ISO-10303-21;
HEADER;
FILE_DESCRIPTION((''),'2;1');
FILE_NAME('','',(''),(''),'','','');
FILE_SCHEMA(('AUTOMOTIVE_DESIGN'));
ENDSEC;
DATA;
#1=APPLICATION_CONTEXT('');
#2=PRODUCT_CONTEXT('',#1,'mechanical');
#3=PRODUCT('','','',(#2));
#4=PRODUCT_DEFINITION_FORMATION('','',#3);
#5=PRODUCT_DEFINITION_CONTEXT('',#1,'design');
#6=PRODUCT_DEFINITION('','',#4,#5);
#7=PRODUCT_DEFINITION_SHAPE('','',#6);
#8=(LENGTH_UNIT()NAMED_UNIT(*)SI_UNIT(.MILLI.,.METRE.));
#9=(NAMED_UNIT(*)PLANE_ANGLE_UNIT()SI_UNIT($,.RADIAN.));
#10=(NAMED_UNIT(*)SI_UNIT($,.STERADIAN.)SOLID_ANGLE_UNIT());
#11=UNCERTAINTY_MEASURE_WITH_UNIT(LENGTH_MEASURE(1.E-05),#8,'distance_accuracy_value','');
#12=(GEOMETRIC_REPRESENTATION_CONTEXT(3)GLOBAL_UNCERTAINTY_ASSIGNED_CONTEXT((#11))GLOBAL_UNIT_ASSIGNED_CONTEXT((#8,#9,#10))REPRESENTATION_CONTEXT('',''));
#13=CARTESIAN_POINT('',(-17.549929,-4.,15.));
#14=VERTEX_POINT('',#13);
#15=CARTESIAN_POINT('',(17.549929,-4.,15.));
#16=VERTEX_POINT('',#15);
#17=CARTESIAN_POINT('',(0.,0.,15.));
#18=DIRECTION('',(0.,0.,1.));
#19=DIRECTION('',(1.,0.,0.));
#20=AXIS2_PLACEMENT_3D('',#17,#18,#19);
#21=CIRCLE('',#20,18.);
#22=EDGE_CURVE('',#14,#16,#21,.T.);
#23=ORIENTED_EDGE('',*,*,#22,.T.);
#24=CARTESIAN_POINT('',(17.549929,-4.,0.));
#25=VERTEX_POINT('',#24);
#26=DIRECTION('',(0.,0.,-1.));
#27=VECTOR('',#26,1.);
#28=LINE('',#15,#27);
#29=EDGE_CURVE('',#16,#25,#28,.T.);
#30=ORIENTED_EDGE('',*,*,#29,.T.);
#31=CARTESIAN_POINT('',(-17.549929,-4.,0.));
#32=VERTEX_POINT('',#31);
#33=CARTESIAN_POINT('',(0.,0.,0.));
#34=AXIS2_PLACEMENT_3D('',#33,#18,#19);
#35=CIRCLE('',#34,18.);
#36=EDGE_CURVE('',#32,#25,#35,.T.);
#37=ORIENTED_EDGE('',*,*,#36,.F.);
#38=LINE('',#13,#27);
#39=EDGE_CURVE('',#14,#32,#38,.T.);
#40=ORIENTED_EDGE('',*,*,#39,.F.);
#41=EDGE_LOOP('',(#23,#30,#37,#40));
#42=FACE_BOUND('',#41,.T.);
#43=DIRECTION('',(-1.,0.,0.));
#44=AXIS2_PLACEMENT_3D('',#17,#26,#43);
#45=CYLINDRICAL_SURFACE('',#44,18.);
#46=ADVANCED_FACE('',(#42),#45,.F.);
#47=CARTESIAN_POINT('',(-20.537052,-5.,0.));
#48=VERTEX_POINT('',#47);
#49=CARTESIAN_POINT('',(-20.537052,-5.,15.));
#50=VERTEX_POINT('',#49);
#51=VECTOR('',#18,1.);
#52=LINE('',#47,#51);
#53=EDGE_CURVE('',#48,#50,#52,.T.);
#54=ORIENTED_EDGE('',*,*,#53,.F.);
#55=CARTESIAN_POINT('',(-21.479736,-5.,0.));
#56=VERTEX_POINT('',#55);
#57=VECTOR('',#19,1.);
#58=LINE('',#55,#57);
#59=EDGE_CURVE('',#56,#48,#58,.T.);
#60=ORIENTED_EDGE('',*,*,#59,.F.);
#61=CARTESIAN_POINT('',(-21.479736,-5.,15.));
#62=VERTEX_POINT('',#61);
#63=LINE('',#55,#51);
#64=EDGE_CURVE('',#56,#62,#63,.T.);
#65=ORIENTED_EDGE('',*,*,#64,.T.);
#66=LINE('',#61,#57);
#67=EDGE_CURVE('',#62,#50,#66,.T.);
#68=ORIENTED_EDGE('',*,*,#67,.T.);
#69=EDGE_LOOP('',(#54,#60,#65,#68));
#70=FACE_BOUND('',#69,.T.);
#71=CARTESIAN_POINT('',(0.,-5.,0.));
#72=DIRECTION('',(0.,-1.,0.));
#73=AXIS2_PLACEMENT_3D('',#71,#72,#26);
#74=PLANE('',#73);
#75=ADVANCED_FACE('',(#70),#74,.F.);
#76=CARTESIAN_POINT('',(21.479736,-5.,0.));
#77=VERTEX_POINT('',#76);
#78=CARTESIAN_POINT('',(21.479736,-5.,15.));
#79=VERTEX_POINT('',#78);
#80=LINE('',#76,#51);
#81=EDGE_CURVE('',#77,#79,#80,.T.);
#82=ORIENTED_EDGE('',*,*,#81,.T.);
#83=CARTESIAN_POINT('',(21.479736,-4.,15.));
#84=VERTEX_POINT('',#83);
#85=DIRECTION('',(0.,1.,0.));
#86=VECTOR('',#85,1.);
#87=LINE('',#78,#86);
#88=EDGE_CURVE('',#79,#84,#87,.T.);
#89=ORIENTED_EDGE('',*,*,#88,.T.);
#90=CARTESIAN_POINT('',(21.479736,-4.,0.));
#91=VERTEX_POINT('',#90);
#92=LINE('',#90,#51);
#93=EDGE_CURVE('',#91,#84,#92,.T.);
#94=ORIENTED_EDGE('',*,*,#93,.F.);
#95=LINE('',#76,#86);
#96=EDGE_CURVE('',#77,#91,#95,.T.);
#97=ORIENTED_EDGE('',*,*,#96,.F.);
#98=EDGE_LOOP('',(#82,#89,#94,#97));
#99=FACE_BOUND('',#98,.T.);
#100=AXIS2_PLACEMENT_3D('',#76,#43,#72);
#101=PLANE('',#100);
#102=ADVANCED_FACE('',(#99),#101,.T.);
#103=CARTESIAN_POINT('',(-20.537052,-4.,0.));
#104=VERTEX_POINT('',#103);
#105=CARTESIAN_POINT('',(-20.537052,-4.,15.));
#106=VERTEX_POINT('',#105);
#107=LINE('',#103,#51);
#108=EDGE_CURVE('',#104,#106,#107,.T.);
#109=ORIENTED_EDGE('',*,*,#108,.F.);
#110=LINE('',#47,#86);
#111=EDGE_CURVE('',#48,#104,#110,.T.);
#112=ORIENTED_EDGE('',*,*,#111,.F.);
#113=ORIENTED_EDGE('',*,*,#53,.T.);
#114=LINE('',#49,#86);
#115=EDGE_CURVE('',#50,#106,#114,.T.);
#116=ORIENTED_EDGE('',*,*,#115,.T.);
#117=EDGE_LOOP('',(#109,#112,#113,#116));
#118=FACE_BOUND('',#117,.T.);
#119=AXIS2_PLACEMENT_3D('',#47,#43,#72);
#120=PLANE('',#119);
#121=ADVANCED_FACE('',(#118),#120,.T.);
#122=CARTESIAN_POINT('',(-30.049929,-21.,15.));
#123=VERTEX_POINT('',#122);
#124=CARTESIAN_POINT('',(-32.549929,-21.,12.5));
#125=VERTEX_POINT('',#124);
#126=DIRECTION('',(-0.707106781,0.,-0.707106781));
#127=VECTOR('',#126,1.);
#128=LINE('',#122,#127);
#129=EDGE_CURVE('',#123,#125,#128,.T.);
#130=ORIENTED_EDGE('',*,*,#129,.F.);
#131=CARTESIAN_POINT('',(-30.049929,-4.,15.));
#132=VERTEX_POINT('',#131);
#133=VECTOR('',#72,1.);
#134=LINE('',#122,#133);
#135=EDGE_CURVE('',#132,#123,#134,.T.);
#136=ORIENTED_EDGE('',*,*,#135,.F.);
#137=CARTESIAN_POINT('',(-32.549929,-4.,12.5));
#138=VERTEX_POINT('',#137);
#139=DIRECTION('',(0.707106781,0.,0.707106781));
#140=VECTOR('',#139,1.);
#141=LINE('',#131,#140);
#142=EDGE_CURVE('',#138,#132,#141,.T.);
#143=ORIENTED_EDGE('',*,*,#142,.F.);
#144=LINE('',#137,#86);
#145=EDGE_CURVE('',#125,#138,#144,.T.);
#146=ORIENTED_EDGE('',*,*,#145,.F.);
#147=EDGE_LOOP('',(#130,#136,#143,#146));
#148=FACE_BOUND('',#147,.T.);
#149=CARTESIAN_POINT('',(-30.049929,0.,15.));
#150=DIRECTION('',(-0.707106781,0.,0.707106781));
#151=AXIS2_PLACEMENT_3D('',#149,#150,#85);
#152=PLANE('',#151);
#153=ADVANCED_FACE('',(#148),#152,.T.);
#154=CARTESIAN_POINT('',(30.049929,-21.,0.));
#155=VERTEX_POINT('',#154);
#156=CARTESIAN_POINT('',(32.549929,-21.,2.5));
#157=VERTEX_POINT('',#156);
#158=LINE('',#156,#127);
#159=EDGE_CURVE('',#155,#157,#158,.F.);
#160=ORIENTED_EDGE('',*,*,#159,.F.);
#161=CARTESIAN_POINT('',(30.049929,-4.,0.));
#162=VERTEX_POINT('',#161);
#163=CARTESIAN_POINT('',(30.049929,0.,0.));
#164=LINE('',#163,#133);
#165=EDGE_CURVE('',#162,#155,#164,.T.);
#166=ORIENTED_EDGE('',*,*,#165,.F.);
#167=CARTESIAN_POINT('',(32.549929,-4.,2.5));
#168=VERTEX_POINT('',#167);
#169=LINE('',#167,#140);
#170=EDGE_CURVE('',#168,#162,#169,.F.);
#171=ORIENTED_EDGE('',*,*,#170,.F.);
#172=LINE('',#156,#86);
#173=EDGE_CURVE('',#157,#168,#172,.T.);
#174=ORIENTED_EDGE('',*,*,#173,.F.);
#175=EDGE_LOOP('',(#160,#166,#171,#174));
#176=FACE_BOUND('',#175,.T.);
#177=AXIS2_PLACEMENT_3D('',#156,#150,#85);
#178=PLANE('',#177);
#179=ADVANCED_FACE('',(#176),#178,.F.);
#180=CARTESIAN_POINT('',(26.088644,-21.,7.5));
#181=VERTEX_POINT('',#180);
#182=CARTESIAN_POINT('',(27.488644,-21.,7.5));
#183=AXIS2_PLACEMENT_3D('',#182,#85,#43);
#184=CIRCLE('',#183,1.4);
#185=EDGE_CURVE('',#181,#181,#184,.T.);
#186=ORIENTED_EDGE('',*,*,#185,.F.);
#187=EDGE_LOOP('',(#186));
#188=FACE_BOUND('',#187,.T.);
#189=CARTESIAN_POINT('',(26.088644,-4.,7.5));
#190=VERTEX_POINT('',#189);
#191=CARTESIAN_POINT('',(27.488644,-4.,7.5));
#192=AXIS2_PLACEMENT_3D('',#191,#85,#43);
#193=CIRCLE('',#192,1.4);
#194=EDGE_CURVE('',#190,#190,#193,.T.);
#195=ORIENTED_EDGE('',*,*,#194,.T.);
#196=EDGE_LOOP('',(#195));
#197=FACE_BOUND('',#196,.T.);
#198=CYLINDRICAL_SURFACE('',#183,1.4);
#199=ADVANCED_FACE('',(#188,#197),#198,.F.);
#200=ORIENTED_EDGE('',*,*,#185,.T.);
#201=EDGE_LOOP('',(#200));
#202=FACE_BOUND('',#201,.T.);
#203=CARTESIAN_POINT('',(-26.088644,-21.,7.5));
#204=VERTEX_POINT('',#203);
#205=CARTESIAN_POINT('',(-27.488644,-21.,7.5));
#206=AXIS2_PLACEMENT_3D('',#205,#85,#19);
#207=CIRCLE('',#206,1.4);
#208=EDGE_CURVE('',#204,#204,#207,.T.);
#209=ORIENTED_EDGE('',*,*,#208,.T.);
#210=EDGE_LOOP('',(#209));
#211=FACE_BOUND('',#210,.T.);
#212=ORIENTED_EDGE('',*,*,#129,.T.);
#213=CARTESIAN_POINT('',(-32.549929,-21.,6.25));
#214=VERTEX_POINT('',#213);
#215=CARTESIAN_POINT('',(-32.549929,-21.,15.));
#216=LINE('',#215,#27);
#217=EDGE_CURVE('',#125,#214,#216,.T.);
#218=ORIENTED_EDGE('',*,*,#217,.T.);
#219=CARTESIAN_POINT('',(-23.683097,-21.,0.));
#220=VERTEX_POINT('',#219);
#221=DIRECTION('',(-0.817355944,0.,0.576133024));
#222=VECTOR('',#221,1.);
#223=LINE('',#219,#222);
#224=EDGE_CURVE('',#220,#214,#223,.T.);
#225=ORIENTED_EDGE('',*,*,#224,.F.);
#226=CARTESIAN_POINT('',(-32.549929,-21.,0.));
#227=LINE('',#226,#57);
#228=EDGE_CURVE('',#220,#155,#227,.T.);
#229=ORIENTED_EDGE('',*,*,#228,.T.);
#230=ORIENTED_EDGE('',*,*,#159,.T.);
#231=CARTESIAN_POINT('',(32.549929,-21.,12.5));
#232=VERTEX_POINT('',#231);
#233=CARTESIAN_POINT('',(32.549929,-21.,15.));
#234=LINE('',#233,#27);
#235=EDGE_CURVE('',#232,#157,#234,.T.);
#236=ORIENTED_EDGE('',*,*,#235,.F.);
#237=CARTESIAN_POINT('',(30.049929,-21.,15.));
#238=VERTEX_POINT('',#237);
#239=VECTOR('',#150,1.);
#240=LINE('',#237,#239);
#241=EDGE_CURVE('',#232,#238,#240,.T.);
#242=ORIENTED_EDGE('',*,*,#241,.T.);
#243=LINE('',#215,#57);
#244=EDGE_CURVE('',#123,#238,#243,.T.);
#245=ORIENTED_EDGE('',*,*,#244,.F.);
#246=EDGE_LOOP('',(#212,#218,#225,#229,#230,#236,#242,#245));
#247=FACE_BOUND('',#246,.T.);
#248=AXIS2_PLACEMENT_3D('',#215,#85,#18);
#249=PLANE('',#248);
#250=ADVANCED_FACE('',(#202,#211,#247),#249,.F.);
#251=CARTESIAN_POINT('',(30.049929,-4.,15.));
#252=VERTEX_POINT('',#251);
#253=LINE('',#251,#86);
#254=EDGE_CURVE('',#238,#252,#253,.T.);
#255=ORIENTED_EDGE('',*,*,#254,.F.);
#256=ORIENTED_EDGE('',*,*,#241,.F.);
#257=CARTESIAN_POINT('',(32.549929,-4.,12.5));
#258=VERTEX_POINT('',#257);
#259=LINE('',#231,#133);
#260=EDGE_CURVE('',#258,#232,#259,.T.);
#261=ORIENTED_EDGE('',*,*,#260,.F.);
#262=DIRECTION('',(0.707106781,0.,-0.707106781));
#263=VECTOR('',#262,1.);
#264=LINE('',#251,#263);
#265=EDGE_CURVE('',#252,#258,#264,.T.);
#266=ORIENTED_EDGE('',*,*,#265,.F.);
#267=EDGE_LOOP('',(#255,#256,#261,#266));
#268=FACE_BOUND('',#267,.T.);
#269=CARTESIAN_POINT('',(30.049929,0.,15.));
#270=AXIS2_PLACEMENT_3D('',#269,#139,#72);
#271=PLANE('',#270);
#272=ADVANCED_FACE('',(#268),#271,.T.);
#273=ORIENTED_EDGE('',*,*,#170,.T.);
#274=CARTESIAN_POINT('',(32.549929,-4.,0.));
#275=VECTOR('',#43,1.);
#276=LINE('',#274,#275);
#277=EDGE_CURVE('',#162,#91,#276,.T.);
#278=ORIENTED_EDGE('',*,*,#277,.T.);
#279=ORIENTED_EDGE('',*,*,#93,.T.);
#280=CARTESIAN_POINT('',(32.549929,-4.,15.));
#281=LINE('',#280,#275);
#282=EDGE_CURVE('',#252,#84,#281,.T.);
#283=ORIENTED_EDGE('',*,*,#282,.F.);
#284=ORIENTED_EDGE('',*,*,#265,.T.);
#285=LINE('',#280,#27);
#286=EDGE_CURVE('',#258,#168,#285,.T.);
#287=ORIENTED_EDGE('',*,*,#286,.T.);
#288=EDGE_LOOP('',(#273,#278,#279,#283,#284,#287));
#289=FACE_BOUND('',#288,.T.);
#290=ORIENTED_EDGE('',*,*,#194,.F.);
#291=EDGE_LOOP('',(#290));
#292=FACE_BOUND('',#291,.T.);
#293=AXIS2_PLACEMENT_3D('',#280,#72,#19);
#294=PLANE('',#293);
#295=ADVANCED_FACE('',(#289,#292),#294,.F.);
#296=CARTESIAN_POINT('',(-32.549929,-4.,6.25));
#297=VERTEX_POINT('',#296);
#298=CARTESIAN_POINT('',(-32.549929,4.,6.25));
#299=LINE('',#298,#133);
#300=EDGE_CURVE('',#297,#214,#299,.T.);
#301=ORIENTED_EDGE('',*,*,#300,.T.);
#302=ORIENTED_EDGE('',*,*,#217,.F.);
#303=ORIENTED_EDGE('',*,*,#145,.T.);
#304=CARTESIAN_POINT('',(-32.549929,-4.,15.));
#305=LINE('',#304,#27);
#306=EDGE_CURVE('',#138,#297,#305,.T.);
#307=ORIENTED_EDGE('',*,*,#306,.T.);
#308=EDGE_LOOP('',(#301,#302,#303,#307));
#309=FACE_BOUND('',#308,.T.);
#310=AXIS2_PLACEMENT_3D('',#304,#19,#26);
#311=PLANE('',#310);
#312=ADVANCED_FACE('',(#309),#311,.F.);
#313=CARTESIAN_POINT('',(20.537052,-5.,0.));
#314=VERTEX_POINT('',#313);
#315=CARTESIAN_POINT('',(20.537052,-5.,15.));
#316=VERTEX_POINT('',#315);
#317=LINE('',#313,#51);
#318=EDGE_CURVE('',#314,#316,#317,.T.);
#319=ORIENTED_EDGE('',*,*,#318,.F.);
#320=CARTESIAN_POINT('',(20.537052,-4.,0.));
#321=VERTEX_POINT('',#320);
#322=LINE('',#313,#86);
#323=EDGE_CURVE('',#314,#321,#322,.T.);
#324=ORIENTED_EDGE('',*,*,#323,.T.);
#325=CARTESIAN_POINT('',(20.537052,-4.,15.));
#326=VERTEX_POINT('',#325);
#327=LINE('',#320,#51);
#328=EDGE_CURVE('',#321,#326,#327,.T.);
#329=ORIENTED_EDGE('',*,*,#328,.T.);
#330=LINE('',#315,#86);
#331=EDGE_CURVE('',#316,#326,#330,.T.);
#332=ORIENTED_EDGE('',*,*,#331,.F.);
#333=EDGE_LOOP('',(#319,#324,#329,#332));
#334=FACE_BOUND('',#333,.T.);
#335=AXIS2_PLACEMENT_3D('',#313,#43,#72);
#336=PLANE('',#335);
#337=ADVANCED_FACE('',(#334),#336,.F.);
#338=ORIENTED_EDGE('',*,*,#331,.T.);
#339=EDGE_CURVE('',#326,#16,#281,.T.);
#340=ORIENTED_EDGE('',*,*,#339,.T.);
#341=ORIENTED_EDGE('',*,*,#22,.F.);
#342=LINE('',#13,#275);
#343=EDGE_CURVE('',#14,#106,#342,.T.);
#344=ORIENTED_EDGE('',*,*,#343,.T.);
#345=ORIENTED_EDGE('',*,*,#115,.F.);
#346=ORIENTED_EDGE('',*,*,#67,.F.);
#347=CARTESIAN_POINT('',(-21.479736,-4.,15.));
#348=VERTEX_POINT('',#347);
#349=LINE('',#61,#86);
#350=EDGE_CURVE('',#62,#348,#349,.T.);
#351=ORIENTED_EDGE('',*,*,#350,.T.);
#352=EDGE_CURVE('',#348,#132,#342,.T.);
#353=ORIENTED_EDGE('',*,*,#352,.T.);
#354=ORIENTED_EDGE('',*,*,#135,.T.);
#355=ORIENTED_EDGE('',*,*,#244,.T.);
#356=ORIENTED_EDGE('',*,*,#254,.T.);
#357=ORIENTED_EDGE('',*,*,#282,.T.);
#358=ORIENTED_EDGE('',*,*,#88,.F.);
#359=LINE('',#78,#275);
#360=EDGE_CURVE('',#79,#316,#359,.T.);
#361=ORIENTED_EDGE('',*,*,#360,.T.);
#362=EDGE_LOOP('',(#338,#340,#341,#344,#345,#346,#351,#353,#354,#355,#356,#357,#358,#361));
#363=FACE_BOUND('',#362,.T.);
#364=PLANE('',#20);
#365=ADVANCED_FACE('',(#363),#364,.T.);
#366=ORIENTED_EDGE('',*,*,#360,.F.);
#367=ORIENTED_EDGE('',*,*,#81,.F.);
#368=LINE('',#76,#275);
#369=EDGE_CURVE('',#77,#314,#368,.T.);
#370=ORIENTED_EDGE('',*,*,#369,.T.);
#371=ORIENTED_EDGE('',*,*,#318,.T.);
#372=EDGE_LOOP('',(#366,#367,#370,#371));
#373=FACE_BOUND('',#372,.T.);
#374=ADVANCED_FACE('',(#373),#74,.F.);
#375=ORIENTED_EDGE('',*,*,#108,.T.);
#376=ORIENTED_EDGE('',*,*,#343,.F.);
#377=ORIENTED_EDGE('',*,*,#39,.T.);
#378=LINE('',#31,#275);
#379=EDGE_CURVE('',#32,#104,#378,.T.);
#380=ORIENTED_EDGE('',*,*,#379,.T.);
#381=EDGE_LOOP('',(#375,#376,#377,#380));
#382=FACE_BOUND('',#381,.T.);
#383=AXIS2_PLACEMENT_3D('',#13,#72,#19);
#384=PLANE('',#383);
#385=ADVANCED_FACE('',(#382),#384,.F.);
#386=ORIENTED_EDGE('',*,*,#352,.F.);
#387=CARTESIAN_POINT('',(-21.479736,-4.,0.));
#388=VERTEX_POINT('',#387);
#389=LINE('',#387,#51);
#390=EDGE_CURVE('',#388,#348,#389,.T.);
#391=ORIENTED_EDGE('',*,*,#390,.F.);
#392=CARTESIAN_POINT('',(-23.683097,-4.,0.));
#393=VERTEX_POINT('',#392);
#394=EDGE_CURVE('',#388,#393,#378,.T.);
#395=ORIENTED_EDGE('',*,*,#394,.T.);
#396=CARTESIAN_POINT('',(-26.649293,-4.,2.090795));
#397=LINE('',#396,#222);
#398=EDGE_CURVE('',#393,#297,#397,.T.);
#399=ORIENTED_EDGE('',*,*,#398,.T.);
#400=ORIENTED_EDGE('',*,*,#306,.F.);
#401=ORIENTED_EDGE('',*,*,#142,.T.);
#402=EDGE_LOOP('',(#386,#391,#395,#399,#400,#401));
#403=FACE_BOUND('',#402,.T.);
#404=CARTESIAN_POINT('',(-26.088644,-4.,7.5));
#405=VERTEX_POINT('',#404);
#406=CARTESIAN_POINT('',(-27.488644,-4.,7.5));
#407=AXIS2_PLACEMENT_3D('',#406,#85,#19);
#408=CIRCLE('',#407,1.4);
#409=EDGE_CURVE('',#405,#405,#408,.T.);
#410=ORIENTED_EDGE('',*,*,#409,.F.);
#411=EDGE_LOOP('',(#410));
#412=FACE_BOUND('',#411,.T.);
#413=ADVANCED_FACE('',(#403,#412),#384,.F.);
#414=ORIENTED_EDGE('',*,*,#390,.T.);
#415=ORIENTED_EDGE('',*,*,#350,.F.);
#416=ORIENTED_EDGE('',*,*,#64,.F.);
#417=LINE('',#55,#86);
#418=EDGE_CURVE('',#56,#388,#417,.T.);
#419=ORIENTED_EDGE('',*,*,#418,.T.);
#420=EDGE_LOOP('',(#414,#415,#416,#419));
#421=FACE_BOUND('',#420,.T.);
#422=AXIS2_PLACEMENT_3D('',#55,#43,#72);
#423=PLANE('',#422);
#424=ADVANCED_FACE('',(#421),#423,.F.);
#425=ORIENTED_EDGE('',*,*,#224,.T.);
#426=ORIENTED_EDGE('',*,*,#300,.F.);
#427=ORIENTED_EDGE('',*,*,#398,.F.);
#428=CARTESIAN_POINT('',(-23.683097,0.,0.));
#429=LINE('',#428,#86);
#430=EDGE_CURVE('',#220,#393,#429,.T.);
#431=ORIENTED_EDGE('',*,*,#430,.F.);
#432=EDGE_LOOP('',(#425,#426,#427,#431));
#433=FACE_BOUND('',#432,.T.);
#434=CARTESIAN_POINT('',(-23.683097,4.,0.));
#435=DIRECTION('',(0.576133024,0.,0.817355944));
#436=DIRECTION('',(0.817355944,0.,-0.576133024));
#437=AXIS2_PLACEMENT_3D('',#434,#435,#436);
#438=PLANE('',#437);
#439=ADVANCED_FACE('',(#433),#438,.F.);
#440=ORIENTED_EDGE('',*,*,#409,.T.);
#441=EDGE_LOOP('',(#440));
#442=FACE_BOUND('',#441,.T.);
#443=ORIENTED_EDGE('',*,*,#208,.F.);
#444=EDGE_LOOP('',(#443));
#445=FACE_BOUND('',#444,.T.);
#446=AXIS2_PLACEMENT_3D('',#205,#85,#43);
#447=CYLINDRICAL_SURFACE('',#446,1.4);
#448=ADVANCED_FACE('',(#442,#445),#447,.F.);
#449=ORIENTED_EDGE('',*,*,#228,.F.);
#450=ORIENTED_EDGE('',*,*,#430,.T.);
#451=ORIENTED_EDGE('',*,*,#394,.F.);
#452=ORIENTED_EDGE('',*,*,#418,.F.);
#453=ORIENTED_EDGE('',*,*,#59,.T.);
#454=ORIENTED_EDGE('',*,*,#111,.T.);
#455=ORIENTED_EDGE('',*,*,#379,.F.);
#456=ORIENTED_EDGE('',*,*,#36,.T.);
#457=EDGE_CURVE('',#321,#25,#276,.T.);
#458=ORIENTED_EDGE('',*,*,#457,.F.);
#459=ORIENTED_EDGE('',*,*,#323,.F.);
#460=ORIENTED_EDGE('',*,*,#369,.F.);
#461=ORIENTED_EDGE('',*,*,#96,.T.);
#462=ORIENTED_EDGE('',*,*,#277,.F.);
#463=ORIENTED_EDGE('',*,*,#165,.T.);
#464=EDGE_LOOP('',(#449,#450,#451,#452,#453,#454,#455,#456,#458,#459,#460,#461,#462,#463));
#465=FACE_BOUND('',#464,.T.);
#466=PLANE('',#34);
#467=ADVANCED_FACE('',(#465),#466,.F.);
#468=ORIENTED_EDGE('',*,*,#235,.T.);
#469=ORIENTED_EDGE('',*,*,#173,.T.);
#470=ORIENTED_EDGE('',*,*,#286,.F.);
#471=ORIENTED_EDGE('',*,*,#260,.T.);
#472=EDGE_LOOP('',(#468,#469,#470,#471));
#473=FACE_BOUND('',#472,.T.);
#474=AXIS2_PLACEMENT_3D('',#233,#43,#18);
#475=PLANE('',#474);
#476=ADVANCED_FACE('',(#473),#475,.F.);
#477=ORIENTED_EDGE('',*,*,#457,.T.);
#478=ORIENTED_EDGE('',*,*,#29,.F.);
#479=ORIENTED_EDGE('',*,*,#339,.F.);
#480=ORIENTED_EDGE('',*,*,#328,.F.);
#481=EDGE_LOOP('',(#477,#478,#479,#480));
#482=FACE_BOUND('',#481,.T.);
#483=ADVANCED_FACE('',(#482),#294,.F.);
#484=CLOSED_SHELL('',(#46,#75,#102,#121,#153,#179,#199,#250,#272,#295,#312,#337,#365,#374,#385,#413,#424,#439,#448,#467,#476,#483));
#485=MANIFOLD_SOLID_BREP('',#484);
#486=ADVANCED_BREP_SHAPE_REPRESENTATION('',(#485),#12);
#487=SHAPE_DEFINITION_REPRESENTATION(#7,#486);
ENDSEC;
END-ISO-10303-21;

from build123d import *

# Parameters (mm, degrees)
BOSS_EXTRUDE1_DEPTH = 15
CHAMFER1_SIZE       = 2.5
SKETCH2_R           = 1.4
CUT_EXTRUDE1_DEPTH  = 40.667340007
SKETCH3_W           = 0.942684348
SKETCH3_H           = 15
CUT_EXTRUDE2_DEPTH  = 1
CUT_EXTRUDE3_DEPTH  = 25


with BuildPart() as part:
    # Sketch1 → Boss-Extrude1 (new body)
    with BuildSketch(Plane.XY):
        with BuildLine():
            Line((-17.549928775, -4), (-32.549928775, -4))
            Line((-32.549928775, -4), (-32.549928775, -21))
            Line((-32.549928775, -21), (32.549928775, -21))
            Line((32.549928775, -21), (32.549928775, -4))
            Line((32.549928775, -4), (17.549928775, -4))
            ThreePointArc((17.549928775, -4), (0, -18), (-17.549928775, -4))
        make_face()
    extrude(amount=BOSS_EXTRUDE1_DEPTH)

    # Chamfer1
    chamfer1_edges = [part.edges().sort_by_distance(p)[0] for p in [
        (-32.549928775, -12.5, 15),
        (32.549928775, -12.5, 15),
        (32.549928775, -12.5, 0),
    ]]
    chamfer(chamfer1_edges, length=CHAMFER1_SIZE)

    # Sketch2 → Cut-Extrude1 (cut, through all)
    with BuildSketch(Plane(origin=(0, -4, 0), x_dir=(1, 0, 0), z_dir=(0, 1, 0))):
        with Locations(Location((27.488644481, -7.5, 0), (0, 0, 180))):
            Circle(SKETCH2_R)
        with Locations((-27.488644481, -7.5)):
            Circle(SKETCH2_R)
    extrude(amount=-CUT_EXTRUDE1_DEPTH, mode=Mode.SUBTRACT)

    # Sketch3 → Cut-Extrude2 (cut)
    with BuildSketch(Plane(origin=(0, -4, 0), x_dir=(1, 0, 0), z_dir=(0, 1, 0))):
        with Locations((-21.008394031, -7.5)):
            Rectangle(SKETCH3_W, SKETCH3_H)
    cut_extrude2 = extrude(amount=-CUT_EXTRUDE2_DEPTH, mode=Mode.SUBTRACT)

    # Mirror1: Cut-Extrude2 across plane
    add(cut_extrude2.mirror(Plane(origin=(0, 0, 0), x_dir=(0, 0, 1), z_dir=(1, 0, 0))), mode=Mode.SUBTRACT)

    # Sketch4 → Cut-Extrude3 (cut)
    with BuildSketch(Plane.XZ.offset(21)):
        Polygon((-23.68309692, 0), (-32.549928775, 6.25), (-32.549928775, 0), align=None)
    extrude(amount=-CUT_EXTRUDE3_DEPTH, mode=Mode.SUBTRACT)


solid = part.part
